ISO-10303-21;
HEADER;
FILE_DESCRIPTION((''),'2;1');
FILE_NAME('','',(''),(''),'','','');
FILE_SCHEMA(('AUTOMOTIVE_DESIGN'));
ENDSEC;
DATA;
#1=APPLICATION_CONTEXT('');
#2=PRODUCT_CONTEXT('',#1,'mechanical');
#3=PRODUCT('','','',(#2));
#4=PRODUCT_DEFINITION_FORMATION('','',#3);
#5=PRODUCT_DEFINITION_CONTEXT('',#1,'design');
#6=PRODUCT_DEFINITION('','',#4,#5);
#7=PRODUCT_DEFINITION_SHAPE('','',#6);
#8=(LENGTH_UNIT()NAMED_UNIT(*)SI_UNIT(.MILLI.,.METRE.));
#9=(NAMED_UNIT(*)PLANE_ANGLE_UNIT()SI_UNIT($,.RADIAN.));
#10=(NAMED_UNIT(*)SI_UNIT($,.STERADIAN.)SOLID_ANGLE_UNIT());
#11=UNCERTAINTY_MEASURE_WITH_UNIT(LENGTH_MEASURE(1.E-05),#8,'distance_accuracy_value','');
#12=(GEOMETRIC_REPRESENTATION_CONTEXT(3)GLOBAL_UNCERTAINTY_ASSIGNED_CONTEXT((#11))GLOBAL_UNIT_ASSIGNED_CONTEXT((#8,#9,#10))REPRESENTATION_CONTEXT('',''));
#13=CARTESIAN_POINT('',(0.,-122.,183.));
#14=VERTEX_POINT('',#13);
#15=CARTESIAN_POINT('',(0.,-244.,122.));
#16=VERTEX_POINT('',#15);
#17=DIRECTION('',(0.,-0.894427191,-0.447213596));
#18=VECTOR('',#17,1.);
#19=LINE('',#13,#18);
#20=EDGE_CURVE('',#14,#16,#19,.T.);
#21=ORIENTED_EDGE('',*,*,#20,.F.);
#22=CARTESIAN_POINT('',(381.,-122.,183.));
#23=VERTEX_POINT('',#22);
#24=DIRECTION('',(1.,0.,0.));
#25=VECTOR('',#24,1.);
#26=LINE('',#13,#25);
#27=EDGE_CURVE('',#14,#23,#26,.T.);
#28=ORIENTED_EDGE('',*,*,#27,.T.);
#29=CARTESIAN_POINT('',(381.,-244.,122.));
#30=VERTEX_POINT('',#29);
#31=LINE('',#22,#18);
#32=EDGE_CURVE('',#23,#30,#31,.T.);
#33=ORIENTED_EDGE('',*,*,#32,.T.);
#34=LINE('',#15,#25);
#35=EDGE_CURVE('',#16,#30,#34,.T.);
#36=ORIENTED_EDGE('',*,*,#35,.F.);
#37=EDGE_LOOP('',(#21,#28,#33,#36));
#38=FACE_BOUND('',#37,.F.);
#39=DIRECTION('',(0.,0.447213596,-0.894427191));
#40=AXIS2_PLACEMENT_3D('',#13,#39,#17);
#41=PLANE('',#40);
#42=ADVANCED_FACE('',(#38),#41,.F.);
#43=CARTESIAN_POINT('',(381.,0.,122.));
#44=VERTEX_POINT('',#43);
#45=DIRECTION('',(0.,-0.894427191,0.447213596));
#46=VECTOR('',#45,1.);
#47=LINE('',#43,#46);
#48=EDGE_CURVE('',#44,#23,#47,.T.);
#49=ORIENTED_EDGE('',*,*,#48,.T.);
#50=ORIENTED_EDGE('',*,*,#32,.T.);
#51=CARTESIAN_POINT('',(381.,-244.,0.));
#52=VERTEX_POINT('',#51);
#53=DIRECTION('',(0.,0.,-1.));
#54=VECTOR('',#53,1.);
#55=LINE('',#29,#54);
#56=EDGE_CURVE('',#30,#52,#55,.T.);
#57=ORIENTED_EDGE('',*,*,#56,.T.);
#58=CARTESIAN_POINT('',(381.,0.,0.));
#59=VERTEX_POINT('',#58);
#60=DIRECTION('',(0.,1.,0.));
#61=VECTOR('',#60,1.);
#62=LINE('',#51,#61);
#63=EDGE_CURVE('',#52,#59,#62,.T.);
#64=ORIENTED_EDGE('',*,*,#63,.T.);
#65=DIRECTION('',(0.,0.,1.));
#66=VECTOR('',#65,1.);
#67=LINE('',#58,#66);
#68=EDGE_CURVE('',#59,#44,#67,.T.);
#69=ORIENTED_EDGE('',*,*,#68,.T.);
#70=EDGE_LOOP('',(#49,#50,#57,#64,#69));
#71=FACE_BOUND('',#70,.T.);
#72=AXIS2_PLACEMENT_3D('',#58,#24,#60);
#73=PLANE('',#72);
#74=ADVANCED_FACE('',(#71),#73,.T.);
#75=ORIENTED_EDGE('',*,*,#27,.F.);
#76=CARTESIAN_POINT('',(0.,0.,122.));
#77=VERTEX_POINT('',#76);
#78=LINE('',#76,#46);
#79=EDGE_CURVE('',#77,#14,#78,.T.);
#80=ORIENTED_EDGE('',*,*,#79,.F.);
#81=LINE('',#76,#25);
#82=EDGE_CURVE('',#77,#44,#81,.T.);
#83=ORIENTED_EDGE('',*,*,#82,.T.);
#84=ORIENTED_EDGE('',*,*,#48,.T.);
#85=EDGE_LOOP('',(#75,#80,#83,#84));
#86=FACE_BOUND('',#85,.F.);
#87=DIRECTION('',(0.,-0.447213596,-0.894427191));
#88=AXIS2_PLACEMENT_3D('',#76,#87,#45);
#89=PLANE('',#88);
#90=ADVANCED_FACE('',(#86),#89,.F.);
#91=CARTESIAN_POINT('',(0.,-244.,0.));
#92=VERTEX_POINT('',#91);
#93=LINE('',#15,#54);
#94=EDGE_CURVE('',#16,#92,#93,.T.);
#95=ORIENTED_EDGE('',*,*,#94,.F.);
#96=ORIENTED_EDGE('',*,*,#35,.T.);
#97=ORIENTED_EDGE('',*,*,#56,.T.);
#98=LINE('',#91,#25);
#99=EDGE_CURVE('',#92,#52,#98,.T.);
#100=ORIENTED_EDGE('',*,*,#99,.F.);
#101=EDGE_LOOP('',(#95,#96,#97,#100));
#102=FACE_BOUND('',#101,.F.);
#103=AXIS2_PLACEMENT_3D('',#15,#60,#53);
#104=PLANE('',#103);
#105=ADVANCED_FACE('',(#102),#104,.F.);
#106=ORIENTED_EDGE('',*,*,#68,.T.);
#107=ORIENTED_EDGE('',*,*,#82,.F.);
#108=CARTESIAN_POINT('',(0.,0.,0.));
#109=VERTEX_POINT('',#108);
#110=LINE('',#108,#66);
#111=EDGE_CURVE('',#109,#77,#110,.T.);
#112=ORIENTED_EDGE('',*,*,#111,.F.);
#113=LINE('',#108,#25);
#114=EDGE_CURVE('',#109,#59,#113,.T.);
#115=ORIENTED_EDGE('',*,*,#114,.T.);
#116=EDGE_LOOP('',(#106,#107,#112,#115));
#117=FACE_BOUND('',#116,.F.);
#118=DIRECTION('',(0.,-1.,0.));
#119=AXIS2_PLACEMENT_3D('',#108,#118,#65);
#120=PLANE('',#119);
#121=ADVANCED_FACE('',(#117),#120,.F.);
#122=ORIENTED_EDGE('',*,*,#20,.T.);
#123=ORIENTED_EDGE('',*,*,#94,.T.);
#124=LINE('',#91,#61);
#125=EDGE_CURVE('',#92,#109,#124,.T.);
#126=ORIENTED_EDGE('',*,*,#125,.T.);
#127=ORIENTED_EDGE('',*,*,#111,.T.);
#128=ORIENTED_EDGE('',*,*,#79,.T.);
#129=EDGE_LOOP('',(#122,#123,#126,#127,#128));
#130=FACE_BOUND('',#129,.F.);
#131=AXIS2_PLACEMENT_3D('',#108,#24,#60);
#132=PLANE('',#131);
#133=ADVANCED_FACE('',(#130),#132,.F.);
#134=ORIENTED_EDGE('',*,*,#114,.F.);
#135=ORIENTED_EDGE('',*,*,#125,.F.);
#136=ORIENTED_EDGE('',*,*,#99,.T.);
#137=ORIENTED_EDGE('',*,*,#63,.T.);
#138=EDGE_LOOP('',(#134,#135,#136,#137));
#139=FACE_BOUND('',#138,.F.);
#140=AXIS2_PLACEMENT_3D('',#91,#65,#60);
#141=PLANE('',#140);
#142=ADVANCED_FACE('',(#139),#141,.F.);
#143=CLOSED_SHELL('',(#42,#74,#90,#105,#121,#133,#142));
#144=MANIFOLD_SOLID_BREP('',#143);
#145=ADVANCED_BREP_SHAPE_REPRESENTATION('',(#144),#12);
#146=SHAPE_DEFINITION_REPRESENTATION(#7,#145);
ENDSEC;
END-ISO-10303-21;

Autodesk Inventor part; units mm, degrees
ref_plane "YZ Plane" through (0, 0, 0) normal (1, 0, 0) x (0, 1, 0)
ref_plane "XZ Plane" through (0, 0, 0) normal (0, 1, 0) x (-1, 0, 0)
ref_plane "XY Plane" through (0, 0, 0) normal (0, 0, 1) x (1, 0, 0)
sketch "Sketch1" plane through (0, 0, 0) normal (1, 0, 0) x (0, 1, 0)
  line L0 (0, 0) -> (0, 122)
  line L1 (0, 122) -> (-122, 183)
  line L2 (-122, 183) -> (-244, 122)
  line L3 (-244, 122) -> (-244, 0)
  line L4 (-244, 0) -> (0, 0)
  dimension "d0" = 122
  dimension "d1" = 244
  dimension "d2" = 122
  dimension "d3" = 183
  dimension "d4" = 122
extrude "Extrusion1" add sketch "Sketch1" along normal blind 381
properties part number "UWO-BLWT-SS21-Test6-40ft"
